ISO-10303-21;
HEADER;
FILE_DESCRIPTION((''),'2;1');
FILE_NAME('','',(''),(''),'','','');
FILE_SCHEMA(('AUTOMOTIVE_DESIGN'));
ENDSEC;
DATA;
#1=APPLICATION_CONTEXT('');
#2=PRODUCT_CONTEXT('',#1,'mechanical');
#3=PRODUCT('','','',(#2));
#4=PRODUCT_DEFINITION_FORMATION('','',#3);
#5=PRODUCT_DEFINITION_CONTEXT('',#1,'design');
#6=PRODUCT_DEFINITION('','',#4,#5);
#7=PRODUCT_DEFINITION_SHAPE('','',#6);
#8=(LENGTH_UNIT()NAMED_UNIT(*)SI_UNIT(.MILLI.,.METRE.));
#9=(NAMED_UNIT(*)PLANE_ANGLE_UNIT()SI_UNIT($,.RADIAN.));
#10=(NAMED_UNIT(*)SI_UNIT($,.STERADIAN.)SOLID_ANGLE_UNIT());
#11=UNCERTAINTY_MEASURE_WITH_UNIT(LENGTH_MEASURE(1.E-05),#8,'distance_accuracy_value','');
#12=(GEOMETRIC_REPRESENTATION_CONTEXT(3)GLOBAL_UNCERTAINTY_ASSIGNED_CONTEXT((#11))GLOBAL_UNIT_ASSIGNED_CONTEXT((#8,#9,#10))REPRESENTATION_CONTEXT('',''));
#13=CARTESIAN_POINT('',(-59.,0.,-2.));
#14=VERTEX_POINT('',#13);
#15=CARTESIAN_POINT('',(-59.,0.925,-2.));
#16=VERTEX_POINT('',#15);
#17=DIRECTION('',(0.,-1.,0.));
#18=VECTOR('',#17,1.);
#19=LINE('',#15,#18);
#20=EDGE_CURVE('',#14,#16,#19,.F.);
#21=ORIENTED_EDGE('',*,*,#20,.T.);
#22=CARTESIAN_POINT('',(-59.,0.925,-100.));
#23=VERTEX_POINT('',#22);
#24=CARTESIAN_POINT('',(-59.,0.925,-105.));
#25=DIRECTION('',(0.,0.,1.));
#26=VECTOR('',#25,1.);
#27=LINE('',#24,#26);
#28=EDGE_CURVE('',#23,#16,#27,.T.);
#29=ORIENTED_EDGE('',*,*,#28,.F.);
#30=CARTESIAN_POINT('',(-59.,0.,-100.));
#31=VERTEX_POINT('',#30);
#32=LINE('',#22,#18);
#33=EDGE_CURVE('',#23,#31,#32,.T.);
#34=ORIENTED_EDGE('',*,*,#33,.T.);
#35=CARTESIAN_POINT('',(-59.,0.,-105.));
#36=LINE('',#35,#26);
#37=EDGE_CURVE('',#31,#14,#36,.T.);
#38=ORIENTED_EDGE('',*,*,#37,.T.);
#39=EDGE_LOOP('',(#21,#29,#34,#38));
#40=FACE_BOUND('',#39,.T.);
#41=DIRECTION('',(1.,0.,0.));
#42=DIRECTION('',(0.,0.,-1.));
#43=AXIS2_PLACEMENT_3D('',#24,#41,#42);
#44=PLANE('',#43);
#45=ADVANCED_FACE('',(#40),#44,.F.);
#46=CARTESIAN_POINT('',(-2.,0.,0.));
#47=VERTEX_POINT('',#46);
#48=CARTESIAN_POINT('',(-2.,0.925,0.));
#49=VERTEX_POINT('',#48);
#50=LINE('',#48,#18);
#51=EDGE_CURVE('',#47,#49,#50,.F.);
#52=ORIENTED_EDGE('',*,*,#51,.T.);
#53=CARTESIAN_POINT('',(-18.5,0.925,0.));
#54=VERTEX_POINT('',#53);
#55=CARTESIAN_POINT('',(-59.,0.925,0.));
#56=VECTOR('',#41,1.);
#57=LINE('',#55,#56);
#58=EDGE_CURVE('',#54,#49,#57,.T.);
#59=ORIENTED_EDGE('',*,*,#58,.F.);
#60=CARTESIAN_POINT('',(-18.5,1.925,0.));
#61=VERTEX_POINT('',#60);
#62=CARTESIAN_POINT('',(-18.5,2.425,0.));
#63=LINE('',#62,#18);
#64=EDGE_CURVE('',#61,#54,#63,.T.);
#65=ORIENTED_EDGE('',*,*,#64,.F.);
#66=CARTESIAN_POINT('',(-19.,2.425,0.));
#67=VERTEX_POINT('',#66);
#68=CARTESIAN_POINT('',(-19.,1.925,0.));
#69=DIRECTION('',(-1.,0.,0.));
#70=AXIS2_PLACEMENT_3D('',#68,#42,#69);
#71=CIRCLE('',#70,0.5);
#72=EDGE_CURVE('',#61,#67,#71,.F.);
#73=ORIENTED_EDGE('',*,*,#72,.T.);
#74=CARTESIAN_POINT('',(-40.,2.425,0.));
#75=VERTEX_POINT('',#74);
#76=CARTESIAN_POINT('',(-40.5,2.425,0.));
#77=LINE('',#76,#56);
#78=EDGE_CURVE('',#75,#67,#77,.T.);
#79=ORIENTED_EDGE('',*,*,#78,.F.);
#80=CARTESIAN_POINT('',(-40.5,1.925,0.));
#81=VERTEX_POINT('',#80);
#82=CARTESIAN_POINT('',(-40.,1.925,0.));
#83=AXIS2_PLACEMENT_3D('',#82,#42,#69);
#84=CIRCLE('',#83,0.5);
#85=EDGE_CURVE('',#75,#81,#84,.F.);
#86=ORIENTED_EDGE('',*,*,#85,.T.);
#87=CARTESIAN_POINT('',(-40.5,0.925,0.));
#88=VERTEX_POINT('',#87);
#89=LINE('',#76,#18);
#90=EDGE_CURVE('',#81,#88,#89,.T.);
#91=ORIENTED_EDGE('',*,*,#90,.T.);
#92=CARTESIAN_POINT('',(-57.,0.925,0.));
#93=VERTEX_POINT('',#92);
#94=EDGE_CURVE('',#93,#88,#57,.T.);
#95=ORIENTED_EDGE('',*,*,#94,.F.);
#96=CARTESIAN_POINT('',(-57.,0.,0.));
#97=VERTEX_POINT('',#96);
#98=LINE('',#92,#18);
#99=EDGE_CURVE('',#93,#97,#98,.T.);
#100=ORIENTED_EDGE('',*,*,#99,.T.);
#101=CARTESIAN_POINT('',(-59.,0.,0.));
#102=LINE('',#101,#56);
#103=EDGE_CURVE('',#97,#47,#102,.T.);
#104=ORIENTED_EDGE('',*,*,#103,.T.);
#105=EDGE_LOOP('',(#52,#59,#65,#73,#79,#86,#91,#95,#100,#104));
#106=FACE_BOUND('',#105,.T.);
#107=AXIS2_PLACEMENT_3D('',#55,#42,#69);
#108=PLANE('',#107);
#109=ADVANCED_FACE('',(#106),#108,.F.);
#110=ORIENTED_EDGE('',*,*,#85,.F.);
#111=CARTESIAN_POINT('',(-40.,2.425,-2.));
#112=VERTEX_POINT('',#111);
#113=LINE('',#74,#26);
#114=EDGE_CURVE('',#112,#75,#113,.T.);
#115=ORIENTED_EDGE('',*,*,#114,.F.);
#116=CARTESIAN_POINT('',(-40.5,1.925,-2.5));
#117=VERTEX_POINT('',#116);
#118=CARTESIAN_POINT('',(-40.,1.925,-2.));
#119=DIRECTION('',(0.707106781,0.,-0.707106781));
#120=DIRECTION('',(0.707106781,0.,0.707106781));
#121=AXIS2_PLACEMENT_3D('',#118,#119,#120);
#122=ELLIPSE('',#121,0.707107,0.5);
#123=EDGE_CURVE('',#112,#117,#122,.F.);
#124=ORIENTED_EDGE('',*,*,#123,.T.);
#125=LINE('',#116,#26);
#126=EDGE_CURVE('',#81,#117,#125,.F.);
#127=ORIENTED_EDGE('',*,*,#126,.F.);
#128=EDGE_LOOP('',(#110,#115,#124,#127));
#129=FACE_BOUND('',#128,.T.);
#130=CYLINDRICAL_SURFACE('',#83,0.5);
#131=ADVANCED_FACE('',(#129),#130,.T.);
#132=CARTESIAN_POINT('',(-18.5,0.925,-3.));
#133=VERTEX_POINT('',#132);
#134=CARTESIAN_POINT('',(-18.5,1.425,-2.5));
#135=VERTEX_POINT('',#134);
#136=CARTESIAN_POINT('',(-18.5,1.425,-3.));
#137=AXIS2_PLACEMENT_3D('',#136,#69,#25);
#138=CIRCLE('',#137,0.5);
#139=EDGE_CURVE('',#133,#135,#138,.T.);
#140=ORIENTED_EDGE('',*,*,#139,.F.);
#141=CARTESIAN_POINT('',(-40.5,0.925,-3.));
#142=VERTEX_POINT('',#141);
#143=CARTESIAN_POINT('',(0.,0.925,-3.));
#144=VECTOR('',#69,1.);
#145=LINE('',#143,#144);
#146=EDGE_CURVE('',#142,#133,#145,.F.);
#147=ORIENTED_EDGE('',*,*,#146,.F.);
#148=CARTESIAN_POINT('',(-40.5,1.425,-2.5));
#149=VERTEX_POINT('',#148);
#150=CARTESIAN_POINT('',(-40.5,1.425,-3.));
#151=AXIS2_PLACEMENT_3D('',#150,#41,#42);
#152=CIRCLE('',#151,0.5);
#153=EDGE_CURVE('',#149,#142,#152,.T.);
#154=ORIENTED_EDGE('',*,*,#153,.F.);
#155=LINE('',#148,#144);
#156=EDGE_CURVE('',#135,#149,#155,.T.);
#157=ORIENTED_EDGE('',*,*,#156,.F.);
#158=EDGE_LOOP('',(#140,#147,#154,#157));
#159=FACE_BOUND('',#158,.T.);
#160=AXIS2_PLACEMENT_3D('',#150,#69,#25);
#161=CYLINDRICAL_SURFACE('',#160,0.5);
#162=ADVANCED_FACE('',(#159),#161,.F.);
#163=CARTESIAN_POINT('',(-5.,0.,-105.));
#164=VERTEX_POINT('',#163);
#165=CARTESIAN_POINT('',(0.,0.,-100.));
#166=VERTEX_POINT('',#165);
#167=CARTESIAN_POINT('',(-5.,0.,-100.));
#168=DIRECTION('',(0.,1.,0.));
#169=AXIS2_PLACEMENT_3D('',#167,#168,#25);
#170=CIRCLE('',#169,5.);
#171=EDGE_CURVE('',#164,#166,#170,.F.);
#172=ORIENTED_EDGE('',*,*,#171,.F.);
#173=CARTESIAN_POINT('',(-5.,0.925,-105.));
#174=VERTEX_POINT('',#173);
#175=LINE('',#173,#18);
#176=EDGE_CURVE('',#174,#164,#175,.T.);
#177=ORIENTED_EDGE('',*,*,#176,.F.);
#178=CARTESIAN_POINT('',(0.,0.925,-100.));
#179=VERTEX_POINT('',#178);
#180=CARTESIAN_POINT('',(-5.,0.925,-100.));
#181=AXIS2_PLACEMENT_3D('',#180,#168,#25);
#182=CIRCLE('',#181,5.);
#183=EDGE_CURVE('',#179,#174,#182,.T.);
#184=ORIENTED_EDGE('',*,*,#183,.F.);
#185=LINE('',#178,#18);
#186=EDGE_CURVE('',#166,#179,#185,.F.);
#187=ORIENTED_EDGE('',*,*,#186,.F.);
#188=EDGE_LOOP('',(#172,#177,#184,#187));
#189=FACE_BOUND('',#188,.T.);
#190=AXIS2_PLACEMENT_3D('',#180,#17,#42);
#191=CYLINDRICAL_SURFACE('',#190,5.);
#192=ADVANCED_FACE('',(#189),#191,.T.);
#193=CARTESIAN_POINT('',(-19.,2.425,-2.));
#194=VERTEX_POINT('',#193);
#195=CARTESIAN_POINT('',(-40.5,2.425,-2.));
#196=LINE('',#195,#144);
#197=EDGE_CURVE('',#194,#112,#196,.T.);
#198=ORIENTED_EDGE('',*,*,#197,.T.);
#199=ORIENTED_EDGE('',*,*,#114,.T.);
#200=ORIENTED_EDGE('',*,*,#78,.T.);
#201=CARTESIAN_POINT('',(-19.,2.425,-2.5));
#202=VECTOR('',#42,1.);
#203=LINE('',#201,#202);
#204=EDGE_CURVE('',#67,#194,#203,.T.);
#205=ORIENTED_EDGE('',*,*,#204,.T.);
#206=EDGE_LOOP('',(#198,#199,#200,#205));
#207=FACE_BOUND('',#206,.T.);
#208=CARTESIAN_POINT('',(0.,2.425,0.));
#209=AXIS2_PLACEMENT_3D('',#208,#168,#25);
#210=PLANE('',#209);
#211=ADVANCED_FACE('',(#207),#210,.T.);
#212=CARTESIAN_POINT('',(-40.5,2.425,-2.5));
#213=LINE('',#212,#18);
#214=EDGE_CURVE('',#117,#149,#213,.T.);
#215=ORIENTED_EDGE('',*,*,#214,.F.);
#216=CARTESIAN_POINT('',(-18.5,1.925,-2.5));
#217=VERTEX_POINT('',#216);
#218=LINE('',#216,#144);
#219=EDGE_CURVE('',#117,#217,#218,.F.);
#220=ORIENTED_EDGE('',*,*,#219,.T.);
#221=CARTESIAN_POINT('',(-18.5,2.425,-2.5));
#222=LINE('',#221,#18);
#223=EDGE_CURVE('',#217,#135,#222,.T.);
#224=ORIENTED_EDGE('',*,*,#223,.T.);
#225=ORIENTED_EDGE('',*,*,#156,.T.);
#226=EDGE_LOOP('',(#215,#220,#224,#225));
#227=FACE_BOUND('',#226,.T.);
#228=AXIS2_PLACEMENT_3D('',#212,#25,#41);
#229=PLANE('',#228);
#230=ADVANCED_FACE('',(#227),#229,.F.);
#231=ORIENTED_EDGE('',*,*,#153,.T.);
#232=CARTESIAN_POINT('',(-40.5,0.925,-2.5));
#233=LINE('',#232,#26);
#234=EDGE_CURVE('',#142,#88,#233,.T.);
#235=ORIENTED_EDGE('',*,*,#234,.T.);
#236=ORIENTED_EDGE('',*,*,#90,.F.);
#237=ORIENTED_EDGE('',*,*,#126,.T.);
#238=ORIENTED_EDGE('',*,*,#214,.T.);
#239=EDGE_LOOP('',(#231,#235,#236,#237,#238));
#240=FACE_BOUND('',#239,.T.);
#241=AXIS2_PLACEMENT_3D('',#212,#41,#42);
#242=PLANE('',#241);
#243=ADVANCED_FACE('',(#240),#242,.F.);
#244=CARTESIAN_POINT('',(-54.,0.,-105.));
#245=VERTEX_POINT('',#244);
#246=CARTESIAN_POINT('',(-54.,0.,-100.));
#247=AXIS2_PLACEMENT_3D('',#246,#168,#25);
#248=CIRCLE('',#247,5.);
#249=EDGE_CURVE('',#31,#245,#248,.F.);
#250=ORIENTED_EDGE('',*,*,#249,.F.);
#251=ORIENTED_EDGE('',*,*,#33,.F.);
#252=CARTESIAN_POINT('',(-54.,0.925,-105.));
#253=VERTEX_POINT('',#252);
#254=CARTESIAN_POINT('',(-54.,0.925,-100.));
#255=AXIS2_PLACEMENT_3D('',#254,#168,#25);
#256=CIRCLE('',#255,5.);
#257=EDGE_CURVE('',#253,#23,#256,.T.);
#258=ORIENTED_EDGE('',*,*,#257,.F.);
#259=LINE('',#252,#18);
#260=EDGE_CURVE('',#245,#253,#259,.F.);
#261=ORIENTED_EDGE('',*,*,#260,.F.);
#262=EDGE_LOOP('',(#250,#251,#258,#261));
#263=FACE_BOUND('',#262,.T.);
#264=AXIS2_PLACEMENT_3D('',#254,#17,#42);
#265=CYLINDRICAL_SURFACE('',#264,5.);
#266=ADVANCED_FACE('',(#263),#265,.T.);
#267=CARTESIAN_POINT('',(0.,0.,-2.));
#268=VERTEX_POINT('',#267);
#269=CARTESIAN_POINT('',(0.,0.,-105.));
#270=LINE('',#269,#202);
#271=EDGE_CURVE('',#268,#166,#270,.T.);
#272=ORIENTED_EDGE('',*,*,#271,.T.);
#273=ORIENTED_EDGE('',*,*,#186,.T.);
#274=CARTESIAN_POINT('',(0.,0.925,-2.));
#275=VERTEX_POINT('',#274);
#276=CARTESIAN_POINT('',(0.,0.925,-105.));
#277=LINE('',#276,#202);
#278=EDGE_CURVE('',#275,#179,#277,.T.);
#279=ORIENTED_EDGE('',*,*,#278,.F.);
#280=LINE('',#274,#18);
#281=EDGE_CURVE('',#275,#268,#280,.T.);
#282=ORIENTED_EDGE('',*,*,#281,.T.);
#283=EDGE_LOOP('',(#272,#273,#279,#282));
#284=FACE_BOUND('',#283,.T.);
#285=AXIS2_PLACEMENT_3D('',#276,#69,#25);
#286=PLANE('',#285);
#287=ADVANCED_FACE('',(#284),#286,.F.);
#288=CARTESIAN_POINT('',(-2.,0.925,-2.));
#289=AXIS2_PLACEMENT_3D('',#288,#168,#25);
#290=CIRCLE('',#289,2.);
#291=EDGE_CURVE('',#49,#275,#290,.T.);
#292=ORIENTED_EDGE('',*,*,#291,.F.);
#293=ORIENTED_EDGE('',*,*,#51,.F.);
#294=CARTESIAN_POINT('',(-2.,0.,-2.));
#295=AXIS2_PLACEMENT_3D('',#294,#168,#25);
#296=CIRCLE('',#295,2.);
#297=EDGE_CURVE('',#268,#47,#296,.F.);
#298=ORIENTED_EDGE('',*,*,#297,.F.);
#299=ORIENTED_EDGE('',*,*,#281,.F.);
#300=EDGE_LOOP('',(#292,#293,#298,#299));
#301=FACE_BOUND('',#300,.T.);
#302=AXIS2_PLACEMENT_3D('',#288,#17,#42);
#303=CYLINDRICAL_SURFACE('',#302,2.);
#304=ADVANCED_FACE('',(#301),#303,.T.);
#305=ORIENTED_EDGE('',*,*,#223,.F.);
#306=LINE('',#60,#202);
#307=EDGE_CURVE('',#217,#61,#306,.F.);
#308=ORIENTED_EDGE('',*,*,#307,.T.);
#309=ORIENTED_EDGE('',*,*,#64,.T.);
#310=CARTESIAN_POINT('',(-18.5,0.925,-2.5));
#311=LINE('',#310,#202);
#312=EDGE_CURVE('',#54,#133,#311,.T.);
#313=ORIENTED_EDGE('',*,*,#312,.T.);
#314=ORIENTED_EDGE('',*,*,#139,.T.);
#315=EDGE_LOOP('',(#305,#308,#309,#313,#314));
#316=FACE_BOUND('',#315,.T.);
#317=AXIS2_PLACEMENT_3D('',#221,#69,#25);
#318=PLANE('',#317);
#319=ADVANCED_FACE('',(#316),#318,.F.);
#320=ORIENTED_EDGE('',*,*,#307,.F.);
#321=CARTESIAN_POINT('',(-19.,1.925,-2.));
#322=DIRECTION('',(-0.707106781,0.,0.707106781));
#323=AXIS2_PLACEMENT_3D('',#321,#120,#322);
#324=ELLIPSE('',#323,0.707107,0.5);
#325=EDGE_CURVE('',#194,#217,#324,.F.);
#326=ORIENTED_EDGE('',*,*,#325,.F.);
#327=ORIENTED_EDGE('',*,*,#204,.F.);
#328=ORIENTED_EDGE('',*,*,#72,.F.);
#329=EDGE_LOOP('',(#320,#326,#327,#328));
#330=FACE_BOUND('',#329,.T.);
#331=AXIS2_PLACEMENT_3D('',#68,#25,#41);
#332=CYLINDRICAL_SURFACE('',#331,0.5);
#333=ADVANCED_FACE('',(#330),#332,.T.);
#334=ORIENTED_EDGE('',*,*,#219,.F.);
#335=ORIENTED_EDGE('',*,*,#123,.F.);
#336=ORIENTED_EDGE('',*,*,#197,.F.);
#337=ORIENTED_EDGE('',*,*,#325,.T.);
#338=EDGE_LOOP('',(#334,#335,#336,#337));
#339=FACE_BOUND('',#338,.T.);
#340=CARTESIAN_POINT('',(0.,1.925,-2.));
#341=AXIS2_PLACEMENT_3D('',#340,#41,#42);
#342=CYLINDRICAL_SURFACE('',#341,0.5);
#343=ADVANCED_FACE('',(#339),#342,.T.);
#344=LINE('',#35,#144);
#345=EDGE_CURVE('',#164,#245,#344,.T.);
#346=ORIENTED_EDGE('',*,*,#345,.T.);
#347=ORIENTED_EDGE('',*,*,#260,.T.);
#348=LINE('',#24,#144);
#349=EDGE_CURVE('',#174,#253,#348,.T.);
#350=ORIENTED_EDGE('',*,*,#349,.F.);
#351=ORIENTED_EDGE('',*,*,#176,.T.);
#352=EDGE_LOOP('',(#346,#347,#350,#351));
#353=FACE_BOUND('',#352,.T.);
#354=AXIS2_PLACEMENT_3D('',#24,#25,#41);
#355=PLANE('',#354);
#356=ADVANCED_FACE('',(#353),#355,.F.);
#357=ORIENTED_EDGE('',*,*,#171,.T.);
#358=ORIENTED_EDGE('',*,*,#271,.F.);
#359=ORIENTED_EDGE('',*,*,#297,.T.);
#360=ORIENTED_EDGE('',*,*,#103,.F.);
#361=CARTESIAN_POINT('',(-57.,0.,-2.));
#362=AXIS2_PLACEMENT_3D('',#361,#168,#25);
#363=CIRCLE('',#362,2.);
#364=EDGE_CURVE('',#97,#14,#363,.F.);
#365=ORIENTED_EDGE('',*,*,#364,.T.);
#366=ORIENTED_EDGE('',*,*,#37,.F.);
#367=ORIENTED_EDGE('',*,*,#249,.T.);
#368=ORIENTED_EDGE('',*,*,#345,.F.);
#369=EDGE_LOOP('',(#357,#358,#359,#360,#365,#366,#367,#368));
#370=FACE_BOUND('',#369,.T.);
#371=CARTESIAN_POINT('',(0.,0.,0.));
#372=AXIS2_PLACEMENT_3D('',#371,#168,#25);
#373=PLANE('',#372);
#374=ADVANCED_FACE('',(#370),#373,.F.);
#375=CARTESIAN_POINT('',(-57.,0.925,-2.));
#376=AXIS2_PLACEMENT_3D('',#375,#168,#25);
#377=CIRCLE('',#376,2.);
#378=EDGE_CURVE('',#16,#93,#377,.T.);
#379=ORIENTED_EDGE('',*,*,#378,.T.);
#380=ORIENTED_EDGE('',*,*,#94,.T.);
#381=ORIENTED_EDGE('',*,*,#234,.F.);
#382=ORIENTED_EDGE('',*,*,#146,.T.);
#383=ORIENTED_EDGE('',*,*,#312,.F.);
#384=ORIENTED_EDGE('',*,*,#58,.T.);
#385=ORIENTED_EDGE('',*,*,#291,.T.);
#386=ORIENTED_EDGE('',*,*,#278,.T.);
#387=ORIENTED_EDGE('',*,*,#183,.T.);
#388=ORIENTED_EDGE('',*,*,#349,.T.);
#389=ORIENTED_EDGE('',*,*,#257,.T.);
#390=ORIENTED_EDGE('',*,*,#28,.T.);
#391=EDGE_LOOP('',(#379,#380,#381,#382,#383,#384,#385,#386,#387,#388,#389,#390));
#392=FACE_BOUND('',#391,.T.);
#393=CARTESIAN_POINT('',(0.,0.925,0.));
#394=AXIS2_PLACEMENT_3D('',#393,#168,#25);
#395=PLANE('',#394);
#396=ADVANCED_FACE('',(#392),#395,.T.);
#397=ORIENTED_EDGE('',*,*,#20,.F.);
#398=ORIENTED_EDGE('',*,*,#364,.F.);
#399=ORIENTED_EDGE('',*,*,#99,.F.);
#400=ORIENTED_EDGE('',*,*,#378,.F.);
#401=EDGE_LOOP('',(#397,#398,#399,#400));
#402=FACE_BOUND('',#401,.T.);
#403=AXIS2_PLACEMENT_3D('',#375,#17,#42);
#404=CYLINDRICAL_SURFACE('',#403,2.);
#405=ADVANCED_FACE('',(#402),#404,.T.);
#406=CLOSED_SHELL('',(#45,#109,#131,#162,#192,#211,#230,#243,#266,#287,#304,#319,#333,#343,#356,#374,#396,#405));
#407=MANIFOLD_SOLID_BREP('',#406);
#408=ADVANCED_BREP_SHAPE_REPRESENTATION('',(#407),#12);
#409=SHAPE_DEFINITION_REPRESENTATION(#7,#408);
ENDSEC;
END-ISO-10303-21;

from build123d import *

# Parameters (mm, degrees)
SKETCH2_W           = 59
SKETCH2_H           = 105
BOSS_EXTRUDE1_DEPTH = 0.925
SKETCH3_W           = 22
SKETCH3_H           = 2.5
BOSS_EXTRUDE2_DEPTH = 1.5
FILLET1_R           = 0.5
FILLET2_R           = 2
FILLET3_R           = 5


with BuildPart() as part:
    # Sketch2 → Boss-Extrude1 (new body)
    with BuildSketch(Plane(origin=(0, 0, 0), x_dir=(1, 0, 0), z_dir=(0, 1, 0))):
        with Locations((-29.5, 52.5)):
            Rectangle(SKETCH2_W, SKETCH2_H)
    extrude(amount=BOSS_EXTRUDE1_DEPTH)

    # Sketch3 → Boss-Extrude2 (add)
    with BuildSketch(Plane(origin=(0, 0.925, 0), x_dir=(1, 0, 0), z_dir=(0, 1, 0))):
        with Locations((-29.5, 1.25)):
            Rectangle(SKETCH3_W, SKETCH3_H)
    extrude(amount=BOSS_EXTRUDE2_DEPTH)

    # Fillet1
    fillet1_edges = [part.edges().sort_by_distance(p)[0] for p in [
        (-29.5, 0.925, -2.5),
        (-40.5, 2.425, -1.25),
        (-18.5, 2.425, -1.25),
        (-29.5, 2.425, -2.5),
    ]]
    fillet(fillet1_edges, radius=FILLET1_R)

    # Fillet2
    fillet2_edges = [part.edges().sort_by_distance(p)[0] for p in [
        (0, 0.4625, 0),
        (-59, 0.4625, 0),
    ]]
    fillet(fillet2_edges, radius=FILLET2_R)

    # Fillet3
    fillet3_edges = [part.edges().sort_by_distance(p)[0] for p in [
        (-59, 0.4625, -105),
        (0, 0.4625, -105),
    ]]
    fillet(fillet3_edges, radius=FILLET3_R)


solid = part.part
